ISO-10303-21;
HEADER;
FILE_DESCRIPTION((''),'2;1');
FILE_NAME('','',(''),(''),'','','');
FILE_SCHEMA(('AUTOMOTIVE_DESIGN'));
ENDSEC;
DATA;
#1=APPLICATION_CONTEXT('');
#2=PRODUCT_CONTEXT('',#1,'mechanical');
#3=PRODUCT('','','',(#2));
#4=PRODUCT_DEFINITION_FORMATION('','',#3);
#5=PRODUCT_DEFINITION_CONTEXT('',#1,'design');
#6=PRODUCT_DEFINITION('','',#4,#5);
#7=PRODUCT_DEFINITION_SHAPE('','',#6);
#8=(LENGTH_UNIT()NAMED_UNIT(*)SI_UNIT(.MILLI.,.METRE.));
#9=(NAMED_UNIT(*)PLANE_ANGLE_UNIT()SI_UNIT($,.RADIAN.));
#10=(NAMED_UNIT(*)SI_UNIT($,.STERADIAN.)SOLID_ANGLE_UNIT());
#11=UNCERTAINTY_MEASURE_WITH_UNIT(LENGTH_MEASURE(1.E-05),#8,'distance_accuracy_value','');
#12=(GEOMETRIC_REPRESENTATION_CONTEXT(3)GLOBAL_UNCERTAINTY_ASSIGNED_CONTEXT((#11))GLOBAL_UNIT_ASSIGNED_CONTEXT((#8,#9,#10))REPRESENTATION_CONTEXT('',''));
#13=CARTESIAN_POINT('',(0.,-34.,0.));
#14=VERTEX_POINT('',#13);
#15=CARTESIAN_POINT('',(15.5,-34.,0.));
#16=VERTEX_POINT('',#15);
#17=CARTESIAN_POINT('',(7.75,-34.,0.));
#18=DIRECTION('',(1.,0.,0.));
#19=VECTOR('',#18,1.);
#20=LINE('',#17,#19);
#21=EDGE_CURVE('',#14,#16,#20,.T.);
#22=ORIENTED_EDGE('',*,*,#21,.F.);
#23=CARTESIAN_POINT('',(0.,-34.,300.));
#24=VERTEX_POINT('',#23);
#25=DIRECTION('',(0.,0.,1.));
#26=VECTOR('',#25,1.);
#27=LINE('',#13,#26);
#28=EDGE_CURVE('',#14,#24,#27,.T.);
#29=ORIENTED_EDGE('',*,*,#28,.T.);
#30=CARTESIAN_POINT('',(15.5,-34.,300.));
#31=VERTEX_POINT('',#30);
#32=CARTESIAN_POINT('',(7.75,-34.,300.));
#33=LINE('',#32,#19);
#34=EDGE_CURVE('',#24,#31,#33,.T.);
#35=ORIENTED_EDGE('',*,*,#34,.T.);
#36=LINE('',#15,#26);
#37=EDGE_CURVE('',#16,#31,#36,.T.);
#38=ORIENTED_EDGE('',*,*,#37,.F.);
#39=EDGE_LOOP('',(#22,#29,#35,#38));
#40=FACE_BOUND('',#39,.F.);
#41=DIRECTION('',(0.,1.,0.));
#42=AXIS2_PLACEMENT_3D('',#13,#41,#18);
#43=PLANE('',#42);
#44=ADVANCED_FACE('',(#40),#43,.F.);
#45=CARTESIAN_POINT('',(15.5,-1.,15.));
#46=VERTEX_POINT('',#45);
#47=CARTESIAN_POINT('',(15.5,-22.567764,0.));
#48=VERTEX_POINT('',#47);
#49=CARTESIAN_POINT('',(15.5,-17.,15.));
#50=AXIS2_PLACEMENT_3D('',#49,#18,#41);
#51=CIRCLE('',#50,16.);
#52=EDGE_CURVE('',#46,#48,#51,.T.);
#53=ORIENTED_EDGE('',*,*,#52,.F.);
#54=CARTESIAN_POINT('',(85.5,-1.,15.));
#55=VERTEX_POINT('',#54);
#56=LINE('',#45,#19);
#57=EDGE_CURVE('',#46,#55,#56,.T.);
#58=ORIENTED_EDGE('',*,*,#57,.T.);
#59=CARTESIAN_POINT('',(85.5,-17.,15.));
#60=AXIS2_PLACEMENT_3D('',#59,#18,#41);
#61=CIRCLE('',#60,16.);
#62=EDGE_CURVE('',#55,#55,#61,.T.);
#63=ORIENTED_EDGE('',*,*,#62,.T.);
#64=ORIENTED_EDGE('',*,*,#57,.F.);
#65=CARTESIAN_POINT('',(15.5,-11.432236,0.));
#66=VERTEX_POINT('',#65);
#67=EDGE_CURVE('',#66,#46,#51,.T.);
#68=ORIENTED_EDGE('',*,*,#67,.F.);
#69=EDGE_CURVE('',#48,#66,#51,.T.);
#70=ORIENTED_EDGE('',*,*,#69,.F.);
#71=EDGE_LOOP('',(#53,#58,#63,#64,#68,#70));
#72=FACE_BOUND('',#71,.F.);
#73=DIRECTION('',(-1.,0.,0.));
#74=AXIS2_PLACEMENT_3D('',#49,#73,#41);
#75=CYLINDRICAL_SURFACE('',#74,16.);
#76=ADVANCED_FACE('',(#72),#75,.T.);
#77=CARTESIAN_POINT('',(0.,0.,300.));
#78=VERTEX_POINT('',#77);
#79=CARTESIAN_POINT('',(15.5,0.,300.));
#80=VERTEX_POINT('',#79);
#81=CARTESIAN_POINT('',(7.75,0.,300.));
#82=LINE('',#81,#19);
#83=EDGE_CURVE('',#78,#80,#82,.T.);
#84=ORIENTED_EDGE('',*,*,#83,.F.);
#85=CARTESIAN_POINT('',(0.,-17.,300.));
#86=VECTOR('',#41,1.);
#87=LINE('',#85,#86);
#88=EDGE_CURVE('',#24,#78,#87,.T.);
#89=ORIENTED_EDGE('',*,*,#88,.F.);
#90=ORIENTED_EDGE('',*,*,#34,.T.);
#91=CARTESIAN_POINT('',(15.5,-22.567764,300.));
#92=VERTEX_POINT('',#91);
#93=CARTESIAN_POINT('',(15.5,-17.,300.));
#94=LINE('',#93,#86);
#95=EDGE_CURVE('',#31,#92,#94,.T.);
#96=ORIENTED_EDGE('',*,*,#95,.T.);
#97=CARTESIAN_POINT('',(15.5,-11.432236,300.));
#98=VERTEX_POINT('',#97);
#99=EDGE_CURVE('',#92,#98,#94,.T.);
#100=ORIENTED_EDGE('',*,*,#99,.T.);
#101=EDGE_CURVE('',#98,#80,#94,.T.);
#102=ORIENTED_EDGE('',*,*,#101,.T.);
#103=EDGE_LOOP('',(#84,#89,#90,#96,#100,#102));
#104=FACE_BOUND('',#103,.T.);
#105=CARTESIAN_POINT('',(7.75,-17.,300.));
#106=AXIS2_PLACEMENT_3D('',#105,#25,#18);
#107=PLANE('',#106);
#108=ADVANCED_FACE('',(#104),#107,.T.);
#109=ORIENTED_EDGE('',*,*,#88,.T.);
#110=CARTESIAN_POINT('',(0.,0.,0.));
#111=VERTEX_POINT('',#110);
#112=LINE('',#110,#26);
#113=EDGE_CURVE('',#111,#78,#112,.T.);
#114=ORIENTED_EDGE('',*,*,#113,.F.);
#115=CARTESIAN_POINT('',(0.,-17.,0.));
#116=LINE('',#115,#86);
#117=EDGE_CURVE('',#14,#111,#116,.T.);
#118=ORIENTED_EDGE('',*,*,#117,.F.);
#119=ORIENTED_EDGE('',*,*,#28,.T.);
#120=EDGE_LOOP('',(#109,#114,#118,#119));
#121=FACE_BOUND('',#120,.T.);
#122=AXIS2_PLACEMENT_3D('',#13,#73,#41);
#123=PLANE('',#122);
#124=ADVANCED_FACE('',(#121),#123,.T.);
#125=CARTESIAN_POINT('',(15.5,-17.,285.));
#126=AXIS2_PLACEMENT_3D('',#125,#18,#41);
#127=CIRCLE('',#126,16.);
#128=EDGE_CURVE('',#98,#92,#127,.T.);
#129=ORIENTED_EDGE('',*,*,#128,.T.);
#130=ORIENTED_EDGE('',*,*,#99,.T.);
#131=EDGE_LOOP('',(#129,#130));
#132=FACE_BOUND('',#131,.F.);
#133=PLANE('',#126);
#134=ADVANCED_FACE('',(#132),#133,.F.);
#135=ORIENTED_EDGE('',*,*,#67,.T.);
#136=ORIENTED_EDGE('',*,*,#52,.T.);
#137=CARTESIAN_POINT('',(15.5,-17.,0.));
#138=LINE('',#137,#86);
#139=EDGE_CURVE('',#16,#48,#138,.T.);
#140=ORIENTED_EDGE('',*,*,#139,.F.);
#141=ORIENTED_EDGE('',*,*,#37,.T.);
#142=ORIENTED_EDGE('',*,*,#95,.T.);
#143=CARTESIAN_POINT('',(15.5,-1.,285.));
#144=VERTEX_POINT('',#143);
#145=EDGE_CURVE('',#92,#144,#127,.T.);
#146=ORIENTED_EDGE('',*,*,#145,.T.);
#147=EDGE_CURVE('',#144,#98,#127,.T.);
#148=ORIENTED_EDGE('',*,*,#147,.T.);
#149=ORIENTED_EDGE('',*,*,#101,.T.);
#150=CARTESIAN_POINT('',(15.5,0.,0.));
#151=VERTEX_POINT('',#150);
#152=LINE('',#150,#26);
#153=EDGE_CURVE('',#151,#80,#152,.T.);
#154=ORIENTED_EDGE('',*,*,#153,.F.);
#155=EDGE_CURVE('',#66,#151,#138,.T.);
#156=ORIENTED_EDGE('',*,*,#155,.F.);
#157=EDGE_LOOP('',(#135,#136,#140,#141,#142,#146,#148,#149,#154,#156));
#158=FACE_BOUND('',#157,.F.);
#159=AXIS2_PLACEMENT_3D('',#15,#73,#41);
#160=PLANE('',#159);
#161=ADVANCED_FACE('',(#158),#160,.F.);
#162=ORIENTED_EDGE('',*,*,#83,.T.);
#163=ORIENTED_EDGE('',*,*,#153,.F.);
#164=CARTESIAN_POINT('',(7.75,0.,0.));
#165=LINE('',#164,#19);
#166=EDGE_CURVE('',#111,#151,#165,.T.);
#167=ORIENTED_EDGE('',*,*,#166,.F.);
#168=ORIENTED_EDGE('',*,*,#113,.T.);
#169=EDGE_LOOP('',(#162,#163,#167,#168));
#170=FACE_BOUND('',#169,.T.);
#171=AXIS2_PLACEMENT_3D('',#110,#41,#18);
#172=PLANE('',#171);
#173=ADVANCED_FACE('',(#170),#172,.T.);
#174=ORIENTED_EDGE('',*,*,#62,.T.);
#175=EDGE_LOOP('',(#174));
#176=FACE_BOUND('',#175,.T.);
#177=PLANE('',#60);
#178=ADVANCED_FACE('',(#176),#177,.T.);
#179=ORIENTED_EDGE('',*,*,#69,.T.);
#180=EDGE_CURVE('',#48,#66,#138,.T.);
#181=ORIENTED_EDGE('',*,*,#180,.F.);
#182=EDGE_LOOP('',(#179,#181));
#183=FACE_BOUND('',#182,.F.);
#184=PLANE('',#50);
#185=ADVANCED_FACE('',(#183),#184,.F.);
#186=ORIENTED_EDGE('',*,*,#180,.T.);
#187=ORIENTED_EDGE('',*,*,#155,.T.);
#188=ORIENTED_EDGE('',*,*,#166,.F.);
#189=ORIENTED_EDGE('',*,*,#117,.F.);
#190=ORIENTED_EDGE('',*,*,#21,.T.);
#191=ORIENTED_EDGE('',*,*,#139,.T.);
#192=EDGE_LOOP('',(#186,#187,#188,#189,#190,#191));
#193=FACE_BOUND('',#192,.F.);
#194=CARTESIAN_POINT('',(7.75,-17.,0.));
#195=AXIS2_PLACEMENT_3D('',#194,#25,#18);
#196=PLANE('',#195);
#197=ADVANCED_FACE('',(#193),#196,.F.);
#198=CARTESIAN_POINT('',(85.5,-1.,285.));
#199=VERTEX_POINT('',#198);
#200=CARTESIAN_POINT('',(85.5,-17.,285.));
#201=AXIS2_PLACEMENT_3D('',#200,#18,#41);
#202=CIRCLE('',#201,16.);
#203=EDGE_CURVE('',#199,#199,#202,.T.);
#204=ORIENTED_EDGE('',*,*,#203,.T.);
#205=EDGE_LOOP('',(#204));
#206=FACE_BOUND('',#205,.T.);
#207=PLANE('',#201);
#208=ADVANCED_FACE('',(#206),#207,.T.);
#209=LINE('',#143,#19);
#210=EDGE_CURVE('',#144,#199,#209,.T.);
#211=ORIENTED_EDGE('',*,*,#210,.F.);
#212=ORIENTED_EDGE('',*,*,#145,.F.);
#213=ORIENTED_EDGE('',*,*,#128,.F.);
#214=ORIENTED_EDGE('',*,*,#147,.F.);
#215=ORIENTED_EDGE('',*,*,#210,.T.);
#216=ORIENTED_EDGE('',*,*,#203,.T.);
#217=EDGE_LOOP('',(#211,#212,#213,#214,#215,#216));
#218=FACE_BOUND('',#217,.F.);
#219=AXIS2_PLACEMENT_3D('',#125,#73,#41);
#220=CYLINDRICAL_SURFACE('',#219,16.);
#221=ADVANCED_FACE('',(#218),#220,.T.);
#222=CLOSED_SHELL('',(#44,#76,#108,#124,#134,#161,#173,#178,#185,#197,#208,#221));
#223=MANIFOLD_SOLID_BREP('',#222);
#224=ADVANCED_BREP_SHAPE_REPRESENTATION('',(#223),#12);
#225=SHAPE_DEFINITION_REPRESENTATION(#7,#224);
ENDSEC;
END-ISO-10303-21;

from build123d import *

# Parameters (mm, degrees)
F0_W     = 15.5
F0_H     = 34
F1_DEPTH = 300
F2_R     = 16
F3_DEPTH = 70


with BuildPart() as f1:
    # F0 (on Top) → F1 (new body)
    with BuildSketch(Plane.XY):
        with Locations((7.75, -17)):
            Rectangle(F0_W, F0_H)
    extrude(amount=F1_DEPTH)

    # F2 (on face) → F3 (join)
    with BuildSketch(Plane.YZ.offset(15.5)):
        with Locations((-17, 285)):
            Circle(F2_R)
        with Locations((-17, 15)):
            Circle(F2_R)
    extrude(amount=F3_DEPTH)


solid = f1.part
